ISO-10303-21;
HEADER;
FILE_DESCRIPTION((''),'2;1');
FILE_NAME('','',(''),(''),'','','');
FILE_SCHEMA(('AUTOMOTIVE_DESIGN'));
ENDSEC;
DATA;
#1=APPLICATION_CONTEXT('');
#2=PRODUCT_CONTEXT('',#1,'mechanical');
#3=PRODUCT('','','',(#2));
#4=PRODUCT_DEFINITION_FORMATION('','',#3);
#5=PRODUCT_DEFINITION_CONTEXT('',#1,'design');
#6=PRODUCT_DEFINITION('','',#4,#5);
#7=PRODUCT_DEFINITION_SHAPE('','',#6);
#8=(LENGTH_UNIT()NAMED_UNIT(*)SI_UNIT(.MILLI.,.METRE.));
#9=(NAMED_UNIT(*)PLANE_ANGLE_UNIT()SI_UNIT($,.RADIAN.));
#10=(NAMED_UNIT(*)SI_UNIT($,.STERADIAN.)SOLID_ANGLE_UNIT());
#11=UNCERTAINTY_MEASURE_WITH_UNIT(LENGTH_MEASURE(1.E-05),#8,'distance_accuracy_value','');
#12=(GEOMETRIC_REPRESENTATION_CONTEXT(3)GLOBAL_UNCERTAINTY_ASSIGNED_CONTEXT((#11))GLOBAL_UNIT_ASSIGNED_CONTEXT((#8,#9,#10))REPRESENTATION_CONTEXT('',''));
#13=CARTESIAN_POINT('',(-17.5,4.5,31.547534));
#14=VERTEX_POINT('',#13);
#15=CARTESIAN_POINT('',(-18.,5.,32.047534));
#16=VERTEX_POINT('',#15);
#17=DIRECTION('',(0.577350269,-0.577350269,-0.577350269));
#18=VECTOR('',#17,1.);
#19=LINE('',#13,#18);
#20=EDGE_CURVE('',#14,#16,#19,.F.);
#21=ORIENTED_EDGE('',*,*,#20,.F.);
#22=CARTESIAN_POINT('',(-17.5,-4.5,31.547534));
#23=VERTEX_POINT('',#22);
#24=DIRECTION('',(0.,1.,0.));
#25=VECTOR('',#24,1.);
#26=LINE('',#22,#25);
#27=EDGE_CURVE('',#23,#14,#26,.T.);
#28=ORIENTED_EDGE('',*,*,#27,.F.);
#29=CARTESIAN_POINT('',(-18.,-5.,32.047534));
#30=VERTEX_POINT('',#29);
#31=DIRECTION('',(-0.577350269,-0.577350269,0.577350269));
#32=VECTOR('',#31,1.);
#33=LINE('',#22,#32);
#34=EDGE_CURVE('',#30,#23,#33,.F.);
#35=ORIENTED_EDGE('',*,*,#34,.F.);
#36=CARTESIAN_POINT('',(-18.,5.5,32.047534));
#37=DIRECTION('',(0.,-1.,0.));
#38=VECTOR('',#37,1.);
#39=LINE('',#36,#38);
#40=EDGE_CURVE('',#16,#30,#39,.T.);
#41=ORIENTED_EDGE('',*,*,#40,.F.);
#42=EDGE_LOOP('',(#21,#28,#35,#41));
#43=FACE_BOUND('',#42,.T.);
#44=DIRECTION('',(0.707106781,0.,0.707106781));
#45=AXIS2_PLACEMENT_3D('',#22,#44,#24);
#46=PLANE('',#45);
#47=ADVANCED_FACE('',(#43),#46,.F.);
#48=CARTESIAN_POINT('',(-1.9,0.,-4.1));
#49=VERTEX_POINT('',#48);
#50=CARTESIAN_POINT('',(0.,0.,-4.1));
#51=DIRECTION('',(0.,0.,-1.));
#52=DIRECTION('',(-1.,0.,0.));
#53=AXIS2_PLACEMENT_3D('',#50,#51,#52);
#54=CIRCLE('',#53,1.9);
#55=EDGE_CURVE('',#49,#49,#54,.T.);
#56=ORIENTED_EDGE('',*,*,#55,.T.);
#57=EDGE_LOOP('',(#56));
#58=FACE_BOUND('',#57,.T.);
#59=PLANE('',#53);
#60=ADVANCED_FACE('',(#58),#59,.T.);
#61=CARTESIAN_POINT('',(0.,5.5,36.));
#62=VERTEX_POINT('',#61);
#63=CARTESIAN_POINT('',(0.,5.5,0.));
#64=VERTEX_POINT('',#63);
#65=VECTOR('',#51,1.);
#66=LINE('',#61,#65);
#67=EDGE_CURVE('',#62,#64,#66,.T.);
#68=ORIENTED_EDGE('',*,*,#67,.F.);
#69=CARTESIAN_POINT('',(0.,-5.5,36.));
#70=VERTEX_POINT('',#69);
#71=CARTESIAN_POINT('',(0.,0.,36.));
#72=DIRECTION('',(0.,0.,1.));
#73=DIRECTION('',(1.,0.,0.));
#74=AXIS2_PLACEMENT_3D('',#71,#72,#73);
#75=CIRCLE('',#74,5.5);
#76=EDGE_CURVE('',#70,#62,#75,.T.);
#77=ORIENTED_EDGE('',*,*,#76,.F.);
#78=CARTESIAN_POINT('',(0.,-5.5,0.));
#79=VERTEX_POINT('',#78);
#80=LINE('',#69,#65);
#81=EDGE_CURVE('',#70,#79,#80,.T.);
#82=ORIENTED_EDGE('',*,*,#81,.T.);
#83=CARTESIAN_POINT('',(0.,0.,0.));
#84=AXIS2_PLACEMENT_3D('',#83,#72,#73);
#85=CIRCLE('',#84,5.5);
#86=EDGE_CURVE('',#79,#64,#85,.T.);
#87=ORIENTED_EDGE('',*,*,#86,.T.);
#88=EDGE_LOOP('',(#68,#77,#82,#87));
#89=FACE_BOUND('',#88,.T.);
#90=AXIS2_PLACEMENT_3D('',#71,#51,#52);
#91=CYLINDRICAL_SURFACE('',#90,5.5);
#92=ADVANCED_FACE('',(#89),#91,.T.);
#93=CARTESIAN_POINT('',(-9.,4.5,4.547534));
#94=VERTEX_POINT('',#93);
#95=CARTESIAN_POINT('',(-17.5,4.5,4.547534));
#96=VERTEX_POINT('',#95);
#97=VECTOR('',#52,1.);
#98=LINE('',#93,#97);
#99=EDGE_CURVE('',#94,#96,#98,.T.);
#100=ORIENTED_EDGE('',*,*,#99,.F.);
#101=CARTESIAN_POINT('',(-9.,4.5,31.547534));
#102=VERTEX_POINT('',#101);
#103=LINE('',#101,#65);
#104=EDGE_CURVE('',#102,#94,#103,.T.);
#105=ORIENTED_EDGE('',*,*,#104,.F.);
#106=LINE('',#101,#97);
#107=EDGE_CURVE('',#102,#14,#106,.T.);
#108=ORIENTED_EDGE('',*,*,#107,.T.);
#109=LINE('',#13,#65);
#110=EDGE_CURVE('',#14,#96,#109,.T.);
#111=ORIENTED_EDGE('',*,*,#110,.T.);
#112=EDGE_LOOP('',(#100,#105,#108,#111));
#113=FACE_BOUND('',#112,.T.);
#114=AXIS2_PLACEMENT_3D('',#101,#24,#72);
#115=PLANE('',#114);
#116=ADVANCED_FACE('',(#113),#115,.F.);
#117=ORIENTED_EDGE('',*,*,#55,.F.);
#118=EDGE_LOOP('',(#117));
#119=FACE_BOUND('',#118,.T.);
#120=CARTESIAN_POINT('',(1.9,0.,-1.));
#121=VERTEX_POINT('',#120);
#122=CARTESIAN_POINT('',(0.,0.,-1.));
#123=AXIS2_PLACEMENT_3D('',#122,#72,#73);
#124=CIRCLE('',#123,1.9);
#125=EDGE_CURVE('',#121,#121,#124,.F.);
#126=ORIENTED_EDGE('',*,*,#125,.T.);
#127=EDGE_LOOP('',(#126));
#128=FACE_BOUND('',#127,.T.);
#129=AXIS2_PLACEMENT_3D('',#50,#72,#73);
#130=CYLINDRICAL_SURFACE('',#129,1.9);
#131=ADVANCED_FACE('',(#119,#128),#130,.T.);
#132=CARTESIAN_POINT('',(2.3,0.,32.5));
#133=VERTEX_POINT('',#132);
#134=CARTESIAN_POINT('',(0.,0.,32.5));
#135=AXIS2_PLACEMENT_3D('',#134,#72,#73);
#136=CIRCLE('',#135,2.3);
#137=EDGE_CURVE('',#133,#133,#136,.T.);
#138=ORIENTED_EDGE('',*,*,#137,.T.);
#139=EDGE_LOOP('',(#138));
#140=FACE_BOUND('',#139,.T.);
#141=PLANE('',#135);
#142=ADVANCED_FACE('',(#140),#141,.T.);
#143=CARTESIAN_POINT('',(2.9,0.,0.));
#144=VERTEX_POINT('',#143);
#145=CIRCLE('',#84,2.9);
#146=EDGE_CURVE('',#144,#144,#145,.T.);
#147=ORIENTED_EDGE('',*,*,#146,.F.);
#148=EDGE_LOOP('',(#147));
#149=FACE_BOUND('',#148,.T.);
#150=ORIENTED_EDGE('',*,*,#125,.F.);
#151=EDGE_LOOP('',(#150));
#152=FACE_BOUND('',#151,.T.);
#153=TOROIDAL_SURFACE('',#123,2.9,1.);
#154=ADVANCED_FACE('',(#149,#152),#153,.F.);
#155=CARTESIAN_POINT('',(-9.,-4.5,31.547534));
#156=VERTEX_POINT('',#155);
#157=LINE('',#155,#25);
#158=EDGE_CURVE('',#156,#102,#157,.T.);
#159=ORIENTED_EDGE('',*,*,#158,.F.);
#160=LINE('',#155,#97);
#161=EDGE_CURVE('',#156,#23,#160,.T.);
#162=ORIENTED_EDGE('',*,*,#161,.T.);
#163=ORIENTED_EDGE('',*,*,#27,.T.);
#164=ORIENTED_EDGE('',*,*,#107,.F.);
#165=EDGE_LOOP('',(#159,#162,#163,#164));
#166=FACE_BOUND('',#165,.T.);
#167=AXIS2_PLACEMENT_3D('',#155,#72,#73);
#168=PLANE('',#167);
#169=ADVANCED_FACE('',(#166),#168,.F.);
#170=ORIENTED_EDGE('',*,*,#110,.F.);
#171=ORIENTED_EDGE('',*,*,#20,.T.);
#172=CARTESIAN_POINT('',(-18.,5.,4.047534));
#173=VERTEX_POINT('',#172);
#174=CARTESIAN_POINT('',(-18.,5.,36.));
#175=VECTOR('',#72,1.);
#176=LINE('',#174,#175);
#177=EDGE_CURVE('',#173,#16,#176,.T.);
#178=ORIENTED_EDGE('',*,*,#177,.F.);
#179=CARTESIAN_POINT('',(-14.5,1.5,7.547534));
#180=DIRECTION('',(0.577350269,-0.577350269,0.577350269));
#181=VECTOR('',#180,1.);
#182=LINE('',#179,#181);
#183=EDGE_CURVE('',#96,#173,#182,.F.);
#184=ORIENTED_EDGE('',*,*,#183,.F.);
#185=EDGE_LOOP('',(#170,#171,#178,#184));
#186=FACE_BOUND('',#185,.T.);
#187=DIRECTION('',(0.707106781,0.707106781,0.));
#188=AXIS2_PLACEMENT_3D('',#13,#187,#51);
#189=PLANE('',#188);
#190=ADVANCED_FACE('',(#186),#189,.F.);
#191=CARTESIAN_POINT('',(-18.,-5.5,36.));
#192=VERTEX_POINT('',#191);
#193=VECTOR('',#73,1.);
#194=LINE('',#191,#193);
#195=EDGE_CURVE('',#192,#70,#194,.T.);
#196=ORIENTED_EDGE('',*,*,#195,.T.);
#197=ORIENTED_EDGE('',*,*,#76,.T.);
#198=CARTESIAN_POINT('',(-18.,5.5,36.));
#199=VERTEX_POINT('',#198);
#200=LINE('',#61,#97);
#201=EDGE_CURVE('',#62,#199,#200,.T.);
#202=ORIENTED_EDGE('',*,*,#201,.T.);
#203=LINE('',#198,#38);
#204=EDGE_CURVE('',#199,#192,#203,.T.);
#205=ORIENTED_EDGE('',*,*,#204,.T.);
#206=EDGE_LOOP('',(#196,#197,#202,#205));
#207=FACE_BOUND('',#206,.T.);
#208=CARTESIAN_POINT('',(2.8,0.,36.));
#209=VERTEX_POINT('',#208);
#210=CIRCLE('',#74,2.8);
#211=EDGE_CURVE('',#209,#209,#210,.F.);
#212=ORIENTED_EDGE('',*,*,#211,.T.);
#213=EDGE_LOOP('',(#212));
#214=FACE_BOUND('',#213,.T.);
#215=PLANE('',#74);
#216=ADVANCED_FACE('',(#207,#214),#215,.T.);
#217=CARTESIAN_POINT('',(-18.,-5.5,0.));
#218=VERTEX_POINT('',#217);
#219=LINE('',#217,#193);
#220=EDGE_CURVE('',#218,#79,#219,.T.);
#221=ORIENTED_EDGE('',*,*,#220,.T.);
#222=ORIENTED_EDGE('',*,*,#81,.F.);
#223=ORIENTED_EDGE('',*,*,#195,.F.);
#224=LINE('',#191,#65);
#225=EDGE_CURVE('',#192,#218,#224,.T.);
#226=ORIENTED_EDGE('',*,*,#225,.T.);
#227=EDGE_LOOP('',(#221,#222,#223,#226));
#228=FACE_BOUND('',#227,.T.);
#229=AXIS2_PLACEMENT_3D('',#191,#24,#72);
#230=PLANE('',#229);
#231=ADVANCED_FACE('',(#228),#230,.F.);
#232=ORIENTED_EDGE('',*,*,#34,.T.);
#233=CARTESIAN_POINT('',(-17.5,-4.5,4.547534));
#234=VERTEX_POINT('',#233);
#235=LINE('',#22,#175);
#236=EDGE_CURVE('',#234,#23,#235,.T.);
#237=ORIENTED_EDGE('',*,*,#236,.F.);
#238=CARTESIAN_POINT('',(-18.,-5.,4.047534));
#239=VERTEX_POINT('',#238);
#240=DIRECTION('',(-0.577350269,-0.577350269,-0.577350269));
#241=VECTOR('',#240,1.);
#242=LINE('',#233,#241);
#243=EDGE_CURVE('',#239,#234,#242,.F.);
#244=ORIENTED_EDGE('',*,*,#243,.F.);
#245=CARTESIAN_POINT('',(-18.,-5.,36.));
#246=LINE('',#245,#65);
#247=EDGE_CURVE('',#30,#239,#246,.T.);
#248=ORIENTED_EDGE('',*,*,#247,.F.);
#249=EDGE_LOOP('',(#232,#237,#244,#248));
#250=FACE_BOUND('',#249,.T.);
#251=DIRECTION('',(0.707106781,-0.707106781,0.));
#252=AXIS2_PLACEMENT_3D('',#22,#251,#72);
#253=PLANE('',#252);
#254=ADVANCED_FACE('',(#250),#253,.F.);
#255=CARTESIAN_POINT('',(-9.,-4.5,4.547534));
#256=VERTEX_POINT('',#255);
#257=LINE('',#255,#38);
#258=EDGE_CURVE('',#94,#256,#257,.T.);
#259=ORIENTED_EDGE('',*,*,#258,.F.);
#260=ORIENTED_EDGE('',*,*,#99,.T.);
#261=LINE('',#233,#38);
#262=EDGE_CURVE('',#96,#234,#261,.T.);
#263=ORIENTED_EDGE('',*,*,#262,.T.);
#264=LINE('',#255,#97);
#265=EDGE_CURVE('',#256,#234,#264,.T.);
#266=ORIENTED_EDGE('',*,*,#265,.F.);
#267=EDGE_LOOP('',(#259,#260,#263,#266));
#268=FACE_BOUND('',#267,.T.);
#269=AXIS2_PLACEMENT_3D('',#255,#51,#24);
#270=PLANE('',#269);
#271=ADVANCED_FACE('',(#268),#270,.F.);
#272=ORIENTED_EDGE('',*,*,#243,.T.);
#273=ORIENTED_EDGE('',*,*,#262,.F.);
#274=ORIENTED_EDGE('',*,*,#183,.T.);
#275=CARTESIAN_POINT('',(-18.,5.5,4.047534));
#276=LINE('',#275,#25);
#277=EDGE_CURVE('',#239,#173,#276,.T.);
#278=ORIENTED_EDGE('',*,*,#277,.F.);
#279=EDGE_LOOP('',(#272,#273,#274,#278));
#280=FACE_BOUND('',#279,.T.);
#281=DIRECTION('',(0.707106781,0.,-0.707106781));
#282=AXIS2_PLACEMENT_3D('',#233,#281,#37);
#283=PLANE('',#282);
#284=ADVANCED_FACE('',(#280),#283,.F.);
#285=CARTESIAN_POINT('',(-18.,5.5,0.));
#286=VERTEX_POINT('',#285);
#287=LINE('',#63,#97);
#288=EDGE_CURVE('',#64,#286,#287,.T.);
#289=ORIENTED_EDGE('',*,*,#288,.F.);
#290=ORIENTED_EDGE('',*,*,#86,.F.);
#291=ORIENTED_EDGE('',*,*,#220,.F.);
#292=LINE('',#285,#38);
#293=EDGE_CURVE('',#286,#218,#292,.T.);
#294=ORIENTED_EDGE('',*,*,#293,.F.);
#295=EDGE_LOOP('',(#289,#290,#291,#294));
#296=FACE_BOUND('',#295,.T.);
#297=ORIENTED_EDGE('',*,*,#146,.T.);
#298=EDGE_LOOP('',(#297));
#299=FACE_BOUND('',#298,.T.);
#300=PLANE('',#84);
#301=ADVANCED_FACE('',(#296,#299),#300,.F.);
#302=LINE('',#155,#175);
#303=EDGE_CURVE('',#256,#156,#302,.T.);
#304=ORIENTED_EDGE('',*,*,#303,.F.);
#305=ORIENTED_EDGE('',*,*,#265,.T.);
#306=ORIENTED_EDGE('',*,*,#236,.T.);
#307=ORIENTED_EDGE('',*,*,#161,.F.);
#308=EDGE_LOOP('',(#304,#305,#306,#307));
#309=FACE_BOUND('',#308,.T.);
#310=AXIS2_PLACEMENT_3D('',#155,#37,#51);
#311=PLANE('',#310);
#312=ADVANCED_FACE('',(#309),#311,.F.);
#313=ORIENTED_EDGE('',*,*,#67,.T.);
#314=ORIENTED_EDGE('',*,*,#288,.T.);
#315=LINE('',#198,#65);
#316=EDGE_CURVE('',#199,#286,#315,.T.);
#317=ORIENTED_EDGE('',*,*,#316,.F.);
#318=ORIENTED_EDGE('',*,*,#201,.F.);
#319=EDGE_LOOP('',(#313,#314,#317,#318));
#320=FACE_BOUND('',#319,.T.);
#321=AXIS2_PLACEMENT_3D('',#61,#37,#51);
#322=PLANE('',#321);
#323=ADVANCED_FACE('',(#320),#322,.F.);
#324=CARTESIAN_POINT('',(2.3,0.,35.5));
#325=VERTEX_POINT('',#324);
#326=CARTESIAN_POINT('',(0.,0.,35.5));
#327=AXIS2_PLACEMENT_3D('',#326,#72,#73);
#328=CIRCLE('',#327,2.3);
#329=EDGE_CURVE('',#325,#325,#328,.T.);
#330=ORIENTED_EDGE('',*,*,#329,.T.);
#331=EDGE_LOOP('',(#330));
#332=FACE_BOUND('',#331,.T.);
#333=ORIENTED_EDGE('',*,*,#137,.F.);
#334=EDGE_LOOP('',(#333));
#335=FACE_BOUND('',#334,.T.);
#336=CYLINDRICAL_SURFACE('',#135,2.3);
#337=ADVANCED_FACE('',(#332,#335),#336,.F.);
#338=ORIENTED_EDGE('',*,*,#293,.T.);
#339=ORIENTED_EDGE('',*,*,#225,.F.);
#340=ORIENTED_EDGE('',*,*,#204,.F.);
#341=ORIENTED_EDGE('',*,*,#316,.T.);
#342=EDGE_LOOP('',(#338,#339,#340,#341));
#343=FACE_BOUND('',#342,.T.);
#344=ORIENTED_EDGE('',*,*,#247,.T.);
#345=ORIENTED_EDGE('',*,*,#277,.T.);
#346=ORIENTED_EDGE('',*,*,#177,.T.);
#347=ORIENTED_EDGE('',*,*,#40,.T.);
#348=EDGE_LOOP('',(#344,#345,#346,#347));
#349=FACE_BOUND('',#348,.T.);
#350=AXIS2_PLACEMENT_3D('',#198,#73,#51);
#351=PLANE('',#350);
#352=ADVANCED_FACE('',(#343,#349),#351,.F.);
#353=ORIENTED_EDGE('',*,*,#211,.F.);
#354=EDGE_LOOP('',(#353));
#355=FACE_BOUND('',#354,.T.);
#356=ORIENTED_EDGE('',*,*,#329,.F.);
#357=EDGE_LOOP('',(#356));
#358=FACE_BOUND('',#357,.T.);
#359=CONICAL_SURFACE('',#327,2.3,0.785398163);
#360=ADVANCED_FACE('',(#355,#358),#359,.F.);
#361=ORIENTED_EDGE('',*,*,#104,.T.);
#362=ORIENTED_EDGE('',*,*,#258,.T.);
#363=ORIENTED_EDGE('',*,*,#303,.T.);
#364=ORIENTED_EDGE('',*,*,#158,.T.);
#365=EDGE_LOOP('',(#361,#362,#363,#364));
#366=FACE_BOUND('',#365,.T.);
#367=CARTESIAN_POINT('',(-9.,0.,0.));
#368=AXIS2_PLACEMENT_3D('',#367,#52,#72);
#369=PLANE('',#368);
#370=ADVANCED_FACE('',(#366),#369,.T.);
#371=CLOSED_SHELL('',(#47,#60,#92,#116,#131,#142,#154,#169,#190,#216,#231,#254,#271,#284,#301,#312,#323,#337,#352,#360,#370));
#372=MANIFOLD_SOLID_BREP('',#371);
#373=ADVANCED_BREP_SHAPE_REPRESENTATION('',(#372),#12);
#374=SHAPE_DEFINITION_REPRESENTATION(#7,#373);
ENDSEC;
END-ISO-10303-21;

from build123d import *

# Parameters (mm, degrees)
BOSS_EXTRU_1_DEPTH      = 36
ESQUISSE2_W             = 27
ESQUISSE2_H             = 9
ENL_V_MAT_EXTRU_1_DEPTH = 9
ESQUISSE3_R             = 2.3
ENL_V_MAT_EXTRU_2_DEPTH = 3.5
ESQUISSE4_R             = 1.9
BOSS_EXTRU_2_DEPTH      = 4.1
CONG_1_R                = 1
CHANFREIN1_SIZE         = 0.5
CHANFREIN2_SIZE         = 0.5


with BuildPart() as part:
    # Esquisse1 → Boss.-Extru.1 (new body)
    with BuildSketch(Plane.XY):
        with BuildLine():
            Line((0, 5.5), (-18, 5.5))
            Line((-18, 5.5), (-18, -5.5))
            Line((-18, -5.5), (0, -5.5))
            ThreePointArc((0, -5.5), (5.5, 0), (0, 5.5))
        make_face()
    extrude(amount=BOSS_EXTRU_1_DEPTH)

    # Esquisse2 → Enlèv. mat.-Extru.1 (cut)
    with BuildSketch(Plane.ZY.offset(18)):
        with Locations((18.047533914, 0)):
            Rectangle(ESQUISSE2_W, ESQUISSE2_H)
    extrude(amount=-ENL_V_MAT_EXTRU_1_DEPTH, mode=Mode.SUBTRACT)

    # Esquisse3 → Enlèv. mat.-Extru.2 (cut)
    with BuildSketch(Plane.XY.offset(36)):
        Circle(ESQUISSE3_R)
    extrude(amount=-ENL_V_MAT_EXTRU_2_DEPTH, mode=Mode.SUBTRACT)

    # Esquisse4 → Boss.-Extru.2 (add)
    with BuildSketch(Plane(origin=(0, 0, 0), x_dir=(-1, 0, 0), z_dir=(0, 0, -1))):
        with Locations(Location((0, 0, 0), (0, 0, 180))):
            Circle(ESQUISSE4_R)
    extrude(amount=BOSS_EXTRU_2_DEPTH)

    # Congé1
    cong_1_edges = [part.edges().sort_by_distance(p)[0] for p in [
        (-1.9, 0, 0),
    ]]
    fillet(cong_1_edges, radius=CONG_1_R)

    # Chanfrein1
    chanfrein1_edges = [part.edges().sort_by_distance(p)[0] for p in [
        (-2.3, 0, 36),
    ]]
    chamfer(chanfrein1_edges, length=CHANFREIN1_SIZE)

    # Chanfrein2
    chanfrein2_edges = [part.edges().sort_by_distance(p)[0] for p in [
        (-18, 0, 4.547533914),
        (-18, -4.5, 18.047533914),
        (-18, 0, 31.547533914),
        (-18, 4.5, 18.047533914),
    ]]
    chamfer(chanfrein2_edges, length=CHANFREIN2_SIZE)


solid = part.part
